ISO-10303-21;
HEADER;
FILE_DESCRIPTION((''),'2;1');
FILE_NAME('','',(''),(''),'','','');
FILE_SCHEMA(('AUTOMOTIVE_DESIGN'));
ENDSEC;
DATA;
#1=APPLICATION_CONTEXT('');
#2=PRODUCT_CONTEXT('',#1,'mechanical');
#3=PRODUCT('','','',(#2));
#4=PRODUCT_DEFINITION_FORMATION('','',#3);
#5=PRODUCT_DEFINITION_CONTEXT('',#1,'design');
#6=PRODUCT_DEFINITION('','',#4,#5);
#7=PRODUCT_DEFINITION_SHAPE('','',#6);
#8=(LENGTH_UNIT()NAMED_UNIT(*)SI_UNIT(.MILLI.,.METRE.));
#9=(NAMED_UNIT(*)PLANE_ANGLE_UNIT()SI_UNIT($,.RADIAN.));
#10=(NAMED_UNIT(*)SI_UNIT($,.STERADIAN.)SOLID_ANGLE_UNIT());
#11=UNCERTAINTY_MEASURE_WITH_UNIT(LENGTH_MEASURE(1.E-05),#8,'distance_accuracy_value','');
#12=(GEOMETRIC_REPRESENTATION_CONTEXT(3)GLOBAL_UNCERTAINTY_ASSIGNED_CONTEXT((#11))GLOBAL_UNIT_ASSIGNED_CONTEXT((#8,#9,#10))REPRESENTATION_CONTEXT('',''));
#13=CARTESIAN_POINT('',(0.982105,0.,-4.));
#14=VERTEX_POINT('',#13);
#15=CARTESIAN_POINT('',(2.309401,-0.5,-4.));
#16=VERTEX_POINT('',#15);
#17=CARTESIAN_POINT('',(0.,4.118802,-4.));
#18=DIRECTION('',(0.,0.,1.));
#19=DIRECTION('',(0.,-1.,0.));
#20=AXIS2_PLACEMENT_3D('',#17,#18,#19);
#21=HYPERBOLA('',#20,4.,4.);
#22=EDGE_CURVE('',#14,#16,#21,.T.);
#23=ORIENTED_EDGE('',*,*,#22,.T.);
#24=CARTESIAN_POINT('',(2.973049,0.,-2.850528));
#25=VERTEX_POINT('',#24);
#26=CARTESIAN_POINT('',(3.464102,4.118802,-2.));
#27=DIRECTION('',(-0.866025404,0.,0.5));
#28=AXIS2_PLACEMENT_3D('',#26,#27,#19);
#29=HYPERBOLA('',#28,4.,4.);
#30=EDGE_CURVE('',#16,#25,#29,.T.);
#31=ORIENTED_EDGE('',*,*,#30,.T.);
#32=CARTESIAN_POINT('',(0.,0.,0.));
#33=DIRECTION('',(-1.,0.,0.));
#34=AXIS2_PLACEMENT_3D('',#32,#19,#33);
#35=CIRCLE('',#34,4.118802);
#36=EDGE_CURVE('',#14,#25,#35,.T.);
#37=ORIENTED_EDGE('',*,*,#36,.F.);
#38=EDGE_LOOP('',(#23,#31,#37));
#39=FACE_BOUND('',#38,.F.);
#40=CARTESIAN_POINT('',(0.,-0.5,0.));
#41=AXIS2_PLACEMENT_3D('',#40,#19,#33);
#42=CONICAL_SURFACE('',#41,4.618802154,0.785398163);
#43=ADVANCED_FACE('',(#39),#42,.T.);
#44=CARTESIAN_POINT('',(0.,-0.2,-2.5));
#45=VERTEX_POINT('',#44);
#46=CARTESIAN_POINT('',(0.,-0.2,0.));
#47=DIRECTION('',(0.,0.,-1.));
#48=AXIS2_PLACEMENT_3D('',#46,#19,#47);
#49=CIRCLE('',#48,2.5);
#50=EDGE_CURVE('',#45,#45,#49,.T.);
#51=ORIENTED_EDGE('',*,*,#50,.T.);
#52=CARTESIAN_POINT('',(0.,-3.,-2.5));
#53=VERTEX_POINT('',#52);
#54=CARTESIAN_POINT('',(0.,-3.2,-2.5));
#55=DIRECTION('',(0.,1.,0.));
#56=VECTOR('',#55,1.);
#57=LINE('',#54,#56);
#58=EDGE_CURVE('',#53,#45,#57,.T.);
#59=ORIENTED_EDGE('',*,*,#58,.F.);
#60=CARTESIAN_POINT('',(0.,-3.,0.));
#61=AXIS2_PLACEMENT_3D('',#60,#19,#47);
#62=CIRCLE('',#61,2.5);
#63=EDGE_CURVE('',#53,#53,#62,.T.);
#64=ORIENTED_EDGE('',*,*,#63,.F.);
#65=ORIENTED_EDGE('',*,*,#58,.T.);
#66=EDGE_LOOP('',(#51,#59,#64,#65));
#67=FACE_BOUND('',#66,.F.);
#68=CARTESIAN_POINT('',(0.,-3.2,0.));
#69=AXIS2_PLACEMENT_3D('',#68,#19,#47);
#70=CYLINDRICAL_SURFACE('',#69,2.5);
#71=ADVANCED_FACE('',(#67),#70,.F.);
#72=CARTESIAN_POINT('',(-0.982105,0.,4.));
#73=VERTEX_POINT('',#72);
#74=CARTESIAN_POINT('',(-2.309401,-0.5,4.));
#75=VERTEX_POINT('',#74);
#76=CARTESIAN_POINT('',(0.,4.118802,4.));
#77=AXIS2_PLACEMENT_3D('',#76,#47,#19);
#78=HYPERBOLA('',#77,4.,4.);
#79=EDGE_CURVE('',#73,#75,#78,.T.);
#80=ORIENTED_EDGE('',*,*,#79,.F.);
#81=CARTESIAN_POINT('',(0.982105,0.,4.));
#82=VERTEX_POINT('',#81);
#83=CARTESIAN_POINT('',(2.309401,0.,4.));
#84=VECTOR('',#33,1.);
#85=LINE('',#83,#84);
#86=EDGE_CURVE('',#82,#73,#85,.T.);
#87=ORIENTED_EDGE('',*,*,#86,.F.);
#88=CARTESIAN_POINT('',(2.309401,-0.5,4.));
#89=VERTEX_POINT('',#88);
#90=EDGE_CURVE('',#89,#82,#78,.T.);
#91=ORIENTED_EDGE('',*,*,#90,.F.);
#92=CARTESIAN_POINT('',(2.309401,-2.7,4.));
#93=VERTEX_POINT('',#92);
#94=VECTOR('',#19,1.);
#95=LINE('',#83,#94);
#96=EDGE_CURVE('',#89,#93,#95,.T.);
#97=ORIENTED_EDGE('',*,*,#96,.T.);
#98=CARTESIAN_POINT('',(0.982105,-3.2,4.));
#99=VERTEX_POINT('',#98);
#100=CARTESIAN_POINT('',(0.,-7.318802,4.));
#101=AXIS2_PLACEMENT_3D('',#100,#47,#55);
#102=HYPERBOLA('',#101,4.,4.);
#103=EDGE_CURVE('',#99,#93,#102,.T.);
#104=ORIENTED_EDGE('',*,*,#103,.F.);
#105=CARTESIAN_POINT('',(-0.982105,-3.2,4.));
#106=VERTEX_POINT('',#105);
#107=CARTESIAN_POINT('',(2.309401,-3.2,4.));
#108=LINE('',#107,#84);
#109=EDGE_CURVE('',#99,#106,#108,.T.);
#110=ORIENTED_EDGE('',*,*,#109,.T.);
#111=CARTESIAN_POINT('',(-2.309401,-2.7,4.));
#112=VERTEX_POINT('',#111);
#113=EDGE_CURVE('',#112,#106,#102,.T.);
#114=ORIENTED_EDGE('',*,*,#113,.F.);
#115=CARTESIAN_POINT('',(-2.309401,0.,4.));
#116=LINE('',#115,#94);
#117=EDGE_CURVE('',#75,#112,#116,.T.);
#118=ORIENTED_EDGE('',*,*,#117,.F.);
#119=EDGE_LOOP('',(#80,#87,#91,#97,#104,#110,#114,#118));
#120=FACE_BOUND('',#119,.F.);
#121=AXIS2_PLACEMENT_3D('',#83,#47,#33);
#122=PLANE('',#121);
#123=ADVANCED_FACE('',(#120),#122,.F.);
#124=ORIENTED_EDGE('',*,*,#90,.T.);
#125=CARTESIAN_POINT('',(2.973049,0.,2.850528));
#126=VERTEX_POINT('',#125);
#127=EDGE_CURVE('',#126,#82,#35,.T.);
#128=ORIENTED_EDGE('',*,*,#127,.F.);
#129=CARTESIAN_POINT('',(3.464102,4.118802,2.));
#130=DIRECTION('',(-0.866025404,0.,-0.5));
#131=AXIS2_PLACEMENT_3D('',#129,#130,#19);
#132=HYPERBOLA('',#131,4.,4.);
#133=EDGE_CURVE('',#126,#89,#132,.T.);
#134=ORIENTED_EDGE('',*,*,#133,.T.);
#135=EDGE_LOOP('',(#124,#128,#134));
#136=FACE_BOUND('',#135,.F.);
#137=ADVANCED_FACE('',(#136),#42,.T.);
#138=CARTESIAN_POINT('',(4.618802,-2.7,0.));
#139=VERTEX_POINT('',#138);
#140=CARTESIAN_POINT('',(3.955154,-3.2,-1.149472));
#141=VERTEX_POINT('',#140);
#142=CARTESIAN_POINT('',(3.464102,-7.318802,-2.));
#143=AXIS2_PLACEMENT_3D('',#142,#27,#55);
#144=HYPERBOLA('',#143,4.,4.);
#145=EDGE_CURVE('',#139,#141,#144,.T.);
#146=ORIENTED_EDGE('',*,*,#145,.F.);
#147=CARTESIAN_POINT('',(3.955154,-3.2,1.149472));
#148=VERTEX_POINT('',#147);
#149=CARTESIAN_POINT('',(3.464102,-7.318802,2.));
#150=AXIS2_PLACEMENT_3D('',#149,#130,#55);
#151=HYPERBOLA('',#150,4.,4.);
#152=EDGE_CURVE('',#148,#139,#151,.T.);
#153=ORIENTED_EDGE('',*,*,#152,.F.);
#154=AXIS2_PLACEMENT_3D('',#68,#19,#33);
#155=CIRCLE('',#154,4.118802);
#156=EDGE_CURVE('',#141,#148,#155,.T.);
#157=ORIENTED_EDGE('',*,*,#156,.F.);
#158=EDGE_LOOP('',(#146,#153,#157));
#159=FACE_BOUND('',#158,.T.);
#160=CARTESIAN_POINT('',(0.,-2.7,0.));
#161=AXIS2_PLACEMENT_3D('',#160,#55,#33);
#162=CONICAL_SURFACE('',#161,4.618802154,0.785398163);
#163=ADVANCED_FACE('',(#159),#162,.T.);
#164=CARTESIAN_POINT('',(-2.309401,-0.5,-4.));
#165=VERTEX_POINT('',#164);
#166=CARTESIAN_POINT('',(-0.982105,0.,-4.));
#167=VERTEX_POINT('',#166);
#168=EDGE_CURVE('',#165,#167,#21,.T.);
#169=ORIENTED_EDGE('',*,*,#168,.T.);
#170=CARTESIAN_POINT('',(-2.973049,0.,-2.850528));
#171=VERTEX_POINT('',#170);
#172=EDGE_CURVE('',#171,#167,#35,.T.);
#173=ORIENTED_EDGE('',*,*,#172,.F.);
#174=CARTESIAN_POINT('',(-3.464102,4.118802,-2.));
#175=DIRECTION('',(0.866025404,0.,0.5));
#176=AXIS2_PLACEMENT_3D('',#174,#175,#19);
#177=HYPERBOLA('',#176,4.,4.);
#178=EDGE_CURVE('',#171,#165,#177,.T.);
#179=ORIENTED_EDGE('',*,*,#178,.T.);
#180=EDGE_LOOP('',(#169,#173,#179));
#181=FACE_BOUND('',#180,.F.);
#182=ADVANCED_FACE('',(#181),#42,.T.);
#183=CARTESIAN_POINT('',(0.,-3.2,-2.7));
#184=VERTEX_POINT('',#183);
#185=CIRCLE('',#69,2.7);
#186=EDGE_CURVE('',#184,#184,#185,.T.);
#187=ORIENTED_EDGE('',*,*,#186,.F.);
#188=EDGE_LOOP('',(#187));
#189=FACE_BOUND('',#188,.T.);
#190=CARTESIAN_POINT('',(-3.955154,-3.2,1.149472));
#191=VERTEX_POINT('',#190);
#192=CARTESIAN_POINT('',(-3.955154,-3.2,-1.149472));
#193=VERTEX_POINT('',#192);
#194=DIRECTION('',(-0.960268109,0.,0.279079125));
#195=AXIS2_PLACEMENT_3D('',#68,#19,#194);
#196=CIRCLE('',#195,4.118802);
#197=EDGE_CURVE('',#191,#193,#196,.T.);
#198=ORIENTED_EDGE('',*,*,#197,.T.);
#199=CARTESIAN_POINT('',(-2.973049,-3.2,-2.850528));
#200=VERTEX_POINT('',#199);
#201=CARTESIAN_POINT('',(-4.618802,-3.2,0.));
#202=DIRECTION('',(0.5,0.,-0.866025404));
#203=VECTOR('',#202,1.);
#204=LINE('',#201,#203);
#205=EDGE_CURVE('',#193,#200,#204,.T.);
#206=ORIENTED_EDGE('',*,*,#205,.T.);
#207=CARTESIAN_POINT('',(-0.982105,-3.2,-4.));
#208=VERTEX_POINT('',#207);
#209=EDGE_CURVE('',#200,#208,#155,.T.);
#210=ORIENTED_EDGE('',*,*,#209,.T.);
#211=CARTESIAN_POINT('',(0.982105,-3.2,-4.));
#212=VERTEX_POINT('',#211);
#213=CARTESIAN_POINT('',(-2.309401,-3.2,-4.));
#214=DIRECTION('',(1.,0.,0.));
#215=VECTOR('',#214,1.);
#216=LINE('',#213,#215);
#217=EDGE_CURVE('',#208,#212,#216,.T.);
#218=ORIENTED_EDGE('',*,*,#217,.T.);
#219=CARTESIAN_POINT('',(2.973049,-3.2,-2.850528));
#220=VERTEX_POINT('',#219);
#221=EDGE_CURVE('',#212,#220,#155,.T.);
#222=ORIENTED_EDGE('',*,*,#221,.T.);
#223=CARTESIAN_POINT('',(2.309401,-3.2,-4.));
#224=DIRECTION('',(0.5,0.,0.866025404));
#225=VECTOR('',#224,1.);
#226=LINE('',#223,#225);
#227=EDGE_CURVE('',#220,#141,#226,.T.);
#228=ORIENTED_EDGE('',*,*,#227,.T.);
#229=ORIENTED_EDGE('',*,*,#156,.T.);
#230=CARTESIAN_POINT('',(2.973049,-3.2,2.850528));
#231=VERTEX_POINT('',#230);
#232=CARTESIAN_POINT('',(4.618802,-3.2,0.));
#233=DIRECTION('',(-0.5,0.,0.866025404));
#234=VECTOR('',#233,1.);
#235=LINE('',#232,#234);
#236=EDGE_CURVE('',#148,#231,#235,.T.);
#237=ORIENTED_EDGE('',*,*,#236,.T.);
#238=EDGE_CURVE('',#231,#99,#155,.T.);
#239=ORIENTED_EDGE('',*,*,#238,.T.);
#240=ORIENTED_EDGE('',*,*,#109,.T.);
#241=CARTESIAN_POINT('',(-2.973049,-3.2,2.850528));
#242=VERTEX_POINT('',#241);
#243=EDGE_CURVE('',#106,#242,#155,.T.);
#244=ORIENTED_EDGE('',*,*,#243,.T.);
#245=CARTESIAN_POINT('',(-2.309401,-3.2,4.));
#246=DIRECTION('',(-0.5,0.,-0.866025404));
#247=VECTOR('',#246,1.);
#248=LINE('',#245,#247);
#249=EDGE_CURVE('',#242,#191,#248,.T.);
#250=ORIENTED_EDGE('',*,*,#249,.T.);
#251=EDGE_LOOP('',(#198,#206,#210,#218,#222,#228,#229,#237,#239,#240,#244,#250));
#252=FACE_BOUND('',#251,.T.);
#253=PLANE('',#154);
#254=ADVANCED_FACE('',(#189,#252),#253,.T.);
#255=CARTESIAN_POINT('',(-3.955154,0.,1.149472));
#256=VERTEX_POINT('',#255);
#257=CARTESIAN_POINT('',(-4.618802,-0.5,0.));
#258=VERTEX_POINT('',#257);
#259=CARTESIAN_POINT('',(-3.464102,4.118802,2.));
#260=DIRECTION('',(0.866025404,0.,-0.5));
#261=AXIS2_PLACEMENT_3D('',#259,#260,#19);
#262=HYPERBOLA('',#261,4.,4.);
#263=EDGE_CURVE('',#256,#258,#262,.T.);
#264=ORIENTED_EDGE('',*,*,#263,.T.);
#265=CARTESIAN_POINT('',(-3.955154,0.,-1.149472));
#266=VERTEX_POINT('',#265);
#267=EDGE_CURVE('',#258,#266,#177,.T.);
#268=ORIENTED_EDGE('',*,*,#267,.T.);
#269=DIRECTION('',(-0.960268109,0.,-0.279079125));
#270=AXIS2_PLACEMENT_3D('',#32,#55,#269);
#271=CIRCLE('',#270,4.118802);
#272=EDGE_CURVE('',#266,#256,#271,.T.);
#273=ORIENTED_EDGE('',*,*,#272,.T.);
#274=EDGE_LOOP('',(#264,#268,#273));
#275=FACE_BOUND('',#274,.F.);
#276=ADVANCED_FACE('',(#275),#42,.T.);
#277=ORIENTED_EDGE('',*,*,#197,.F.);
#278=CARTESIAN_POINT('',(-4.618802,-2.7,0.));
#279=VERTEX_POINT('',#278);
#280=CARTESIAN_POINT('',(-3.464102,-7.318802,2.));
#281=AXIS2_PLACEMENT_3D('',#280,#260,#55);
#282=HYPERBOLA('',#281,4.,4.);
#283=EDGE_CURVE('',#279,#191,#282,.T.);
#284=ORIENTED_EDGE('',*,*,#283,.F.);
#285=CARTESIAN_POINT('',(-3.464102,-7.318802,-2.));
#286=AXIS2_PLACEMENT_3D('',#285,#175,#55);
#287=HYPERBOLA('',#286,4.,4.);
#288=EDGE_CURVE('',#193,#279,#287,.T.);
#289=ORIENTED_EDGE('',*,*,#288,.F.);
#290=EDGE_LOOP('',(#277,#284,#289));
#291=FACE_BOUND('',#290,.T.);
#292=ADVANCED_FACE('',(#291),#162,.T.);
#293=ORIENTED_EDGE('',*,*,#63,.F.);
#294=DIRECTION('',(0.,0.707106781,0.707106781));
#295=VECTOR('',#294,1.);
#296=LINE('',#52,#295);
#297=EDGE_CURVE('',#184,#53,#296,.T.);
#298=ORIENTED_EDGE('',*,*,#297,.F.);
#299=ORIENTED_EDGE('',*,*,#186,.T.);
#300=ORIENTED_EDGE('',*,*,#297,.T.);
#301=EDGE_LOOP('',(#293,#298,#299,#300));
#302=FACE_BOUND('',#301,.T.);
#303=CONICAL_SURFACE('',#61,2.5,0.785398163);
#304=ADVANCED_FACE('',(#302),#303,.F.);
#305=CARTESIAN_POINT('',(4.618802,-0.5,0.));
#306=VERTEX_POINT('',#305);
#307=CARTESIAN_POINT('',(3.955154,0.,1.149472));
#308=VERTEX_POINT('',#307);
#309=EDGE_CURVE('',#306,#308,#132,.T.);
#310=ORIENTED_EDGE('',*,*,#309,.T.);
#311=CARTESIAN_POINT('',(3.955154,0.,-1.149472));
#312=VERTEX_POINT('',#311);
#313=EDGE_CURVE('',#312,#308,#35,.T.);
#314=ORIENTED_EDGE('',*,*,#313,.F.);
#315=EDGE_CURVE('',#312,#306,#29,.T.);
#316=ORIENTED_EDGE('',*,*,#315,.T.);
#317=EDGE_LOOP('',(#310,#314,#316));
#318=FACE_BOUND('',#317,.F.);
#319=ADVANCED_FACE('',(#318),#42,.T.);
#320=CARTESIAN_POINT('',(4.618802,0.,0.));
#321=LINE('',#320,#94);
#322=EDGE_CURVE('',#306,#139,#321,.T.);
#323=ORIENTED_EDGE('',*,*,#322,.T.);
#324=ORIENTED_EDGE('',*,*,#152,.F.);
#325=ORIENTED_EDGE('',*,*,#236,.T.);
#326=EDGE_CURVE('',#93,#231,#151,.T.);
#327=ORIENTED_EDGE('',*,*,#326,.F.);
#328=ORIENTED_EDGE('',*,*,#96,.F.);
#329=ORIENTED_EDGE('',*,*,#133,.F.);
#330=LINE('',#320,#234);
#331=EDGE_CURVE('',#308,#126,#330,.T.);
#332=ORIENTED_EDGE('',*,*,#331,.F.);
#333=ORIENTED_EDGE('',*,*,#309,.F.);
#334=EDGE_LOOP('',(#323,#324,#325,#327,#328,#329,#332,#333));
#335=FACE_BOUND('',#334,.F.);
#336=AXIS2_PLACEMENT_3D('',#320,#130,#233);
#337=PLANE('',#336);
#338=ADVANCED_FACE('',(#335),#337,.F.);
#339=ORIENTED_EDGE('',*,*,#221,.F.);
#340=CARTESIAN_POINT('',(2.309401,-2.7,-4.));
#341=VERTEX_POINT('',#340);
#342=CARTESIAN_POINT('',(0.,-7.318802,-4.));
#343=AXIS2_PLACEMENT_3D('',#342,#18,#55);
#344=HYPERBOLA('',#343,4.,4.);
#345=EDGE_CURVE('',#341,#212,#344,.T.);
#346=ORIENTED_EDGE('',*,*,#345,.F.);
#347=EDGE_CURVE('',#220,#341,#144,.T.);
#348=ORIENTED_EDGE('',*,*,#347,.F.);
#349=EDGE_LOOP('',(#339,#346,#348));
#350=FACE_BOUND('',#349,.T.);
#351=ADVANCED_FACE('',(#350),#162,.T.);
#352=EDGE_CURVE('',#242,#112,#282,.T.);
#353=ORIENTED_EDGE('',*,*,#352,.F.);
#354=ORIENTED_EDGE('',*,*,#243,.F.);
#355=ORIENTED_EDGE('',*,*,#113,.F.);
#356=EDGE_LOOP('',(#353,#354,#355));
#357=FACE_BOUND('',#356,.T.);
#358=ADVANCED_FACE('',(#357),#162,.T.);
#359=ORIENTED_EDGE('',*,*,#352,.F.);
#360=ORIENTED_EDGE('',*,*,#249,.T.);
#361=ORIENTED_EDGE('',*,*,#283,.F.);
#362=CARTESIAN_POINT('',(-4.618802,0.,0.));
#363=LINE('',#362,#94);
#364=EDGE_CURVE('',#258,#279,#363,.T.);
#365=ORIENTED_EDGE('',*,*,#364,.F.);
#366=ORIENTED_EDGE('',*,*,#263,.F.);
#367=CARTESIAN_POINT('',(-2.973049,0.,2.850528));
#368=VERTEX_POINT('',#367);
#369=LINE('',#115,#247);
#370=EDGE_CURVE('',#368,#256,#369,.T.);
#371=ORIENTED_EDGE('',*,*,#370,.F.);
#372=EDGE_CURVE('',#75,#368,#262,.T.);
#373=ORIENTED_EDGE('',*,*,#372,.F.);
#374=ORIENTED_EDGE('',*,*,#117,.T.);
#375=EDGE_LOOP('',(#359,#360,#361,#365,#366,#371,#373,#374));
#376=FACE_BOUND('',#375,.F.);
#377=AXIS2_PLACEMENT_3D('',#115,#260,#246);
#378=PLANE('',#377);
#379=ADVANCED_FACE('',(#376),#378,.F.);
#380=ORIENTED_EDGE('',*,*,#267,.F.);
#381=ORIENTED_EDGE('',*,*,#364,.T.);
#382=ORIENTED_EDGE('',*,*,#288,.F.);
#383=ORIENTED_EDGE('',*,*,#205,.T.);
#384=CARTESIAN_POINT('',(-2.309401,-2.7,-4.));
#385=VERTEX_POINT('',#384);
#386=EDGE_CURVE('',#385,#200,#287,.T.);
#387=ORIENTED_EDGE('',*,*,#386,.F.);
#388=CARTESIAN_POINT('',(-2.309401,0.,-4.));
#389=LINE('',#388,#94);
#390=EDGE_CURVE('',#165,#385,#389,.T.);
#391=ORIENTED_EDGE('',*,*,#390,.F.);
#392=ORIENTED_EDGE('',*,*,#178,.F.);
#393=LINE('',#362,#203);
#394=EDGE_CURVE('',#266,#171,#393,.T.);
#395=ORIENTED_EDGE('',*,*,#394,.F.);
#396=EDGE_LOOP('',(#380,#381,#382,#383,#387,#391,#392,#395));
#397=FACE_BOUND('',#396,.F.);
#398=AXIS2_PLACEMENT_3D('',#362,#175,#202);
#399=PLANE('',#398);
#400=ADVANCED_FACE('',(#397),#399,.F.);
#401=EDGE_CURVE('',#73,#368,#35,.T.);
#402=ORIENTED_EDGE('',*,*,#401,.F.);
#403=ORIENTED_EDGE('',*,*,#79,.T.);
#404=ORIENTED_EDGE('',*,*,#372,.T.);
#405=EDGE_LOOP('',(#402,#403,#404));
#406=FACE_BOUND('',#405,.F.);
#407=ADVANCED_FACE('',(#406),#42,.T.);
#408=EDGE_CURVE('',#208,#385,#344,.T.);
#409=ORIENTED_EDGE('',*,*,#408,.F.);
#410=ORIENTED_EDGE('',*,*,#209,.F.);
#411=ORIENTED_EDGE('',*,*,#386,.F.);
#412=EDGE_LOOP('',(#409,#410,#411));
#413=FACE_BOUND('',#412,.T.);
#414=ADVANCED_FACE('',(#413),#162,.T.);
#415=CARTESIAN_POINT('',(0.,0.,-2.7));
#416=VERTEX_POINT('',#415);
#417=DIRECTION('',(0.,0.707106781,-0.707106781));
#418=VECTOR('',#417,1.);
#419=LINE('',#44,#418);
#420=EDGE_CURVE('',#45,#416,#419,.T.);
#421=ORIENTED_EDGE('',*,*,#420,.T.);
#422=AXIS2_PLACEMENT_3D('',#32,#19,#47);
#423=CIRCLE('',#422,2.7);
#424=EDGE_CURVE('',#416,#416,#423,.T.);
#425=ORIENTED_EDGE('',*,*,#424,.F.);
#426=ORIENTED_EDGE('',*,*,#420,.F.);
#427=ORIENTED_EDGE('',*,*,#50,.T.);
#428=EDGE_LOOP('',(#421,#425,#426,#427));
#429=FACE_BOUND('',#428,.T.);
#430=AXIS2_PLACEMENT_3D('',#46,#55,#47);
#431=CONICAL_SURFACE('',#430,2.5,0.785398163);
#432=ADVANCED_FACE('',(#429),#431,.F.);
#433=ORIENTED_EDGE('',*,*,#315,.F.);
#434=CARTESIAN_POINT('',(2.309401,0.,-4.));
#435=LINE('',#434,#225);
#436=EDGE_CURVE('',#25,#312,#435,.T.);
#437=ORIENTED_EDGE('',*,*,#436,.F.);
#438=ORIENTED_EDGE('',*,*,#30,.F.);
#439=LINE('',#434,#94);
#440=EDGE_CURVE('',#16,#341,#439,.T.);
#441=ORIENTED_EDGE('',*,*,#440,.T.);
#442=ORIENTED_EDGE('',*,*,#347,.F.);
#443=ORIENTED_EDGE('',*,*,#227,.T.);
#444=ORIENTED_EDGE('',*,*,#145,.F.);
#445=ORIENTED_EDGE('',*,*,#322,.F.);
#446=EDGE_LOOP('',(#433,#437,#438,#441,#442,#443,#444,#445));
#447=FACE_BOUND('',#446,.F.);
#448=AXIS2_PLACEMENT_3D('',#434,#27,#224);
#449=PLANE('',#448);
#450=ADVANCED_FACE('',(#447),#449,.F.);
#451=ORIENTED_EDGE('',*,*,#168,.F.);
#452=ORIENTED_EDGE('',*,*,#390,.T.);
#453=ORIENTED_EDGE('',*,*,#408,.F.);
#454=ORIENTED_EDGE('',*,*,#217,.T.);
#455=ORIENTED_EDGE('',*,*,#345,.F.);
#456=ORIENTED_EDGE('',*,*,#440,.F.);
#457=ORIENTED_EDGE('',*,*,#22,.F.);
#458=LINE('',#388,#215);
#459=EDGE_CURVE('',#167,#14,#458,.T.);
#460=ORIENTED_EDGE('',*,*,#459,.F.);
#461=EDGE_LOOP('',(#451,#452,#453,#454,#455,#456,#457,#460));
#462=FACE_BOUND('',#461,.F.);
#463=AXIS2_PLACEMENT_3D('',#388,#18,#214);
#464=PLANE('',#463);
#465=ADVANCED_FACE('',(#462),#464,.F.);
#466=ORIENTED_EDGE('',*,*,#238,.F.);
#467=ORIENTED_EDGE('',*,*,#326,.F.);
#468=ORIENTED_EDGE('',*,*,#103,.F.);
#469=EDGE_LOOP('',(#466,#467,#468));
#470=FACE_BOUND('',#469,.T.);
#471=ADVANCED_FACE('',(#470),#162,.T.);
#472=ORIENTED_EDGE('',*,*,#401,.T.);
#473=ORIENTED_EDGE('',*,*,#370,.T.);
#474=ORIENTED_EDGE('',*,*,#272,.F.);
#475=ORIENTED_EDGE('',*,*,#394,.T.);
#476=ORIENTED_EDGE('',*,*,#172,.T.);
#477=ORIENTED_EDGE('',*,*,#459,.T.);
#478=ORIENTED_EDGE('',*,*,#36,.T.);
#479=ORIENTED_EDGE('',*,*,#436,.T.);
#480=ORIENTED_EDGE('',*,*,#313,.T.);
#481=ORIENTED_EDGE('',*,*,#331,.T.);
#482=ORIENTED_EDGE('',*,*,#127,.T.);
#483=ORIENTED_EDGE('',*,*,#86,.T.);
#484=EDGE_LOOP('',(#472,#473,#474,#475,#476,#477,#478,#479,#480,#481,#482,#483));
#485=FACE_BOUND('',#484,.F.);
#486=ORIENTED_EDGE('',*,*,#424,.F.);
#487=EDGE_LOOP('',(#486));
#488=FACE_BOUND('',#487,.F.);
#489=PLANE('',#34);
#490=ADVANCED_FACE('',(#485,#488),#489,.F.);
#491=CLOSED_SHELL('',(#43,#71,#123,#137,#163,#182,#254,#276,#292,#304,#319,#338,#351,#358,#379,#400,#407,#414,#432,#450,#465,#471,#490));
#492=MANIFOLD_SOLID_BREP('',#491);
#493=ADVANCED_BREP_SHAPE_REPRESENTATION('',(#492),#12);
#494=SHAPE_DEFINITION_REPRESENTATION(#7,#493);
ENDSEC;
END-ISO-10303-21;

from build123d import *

# Parameters (mm, degrees)
EXTRUDE_1_DEPTH     = 3.2
SKETCH_5_R          = 2.5
CUT_EXTRUDE_1_DEPTH = 7.897342483
CHAMFER_1_SIZE      = 0.2


with BuildPart() as part:
    # Эскиз1 → Вытянуть1 (new body)
    with BuildSketch(Plane(origin=(0, 0, 0), x_dir=(1, 0, 0), z_dir=(0, 1, 0))):
        Polygon((-2.309401077, 4), (2.309401077, 4), (4.618802154, 0), (2.309401077, -4), (-2.309401077, -4), (-4.618802154, 0), align=None)
    extrude(amount=-EXTRUDE_1_DEPTH)

    # Эскиз5 → Вырез-Вытянуть1 (cut, through all)
    with BuildSketch(Plane.XZ.offset(3.2)):
        with Locations(Location((0, 0, 0), (0, 0, 270))):
            Circle(SKETCH_5_R)
    extrude(amount=-CUT_EXTRUDE_1_DEPTH, mode=Mode.SUBTRACT)

    # Эскиз4 → Вырез-Повернуть1 (revolve, cut)
    with BuildSketch(Plane.XY):
        Polygon((-4.618802154, -0.5), (-4.118802154, 0), (-4.618802154, 0), align=None)
        Polygon((-4.618802154, -2.7), (-4.118802154, -3.2), (-4.618802154, -3.2), align=None)
    revolve(axis=Axis((0, 0, 0), (0, -1, 0)), mode=Mode.SUBTRACT)

    # Фаска1
    chamfer_1_edges = [part.edges().sort_by_distance(p)[0] for p in [
        (0, 0, 2.5),
        (0, -3.2, 2.5),
    ]]
    chamfer(chamfer_1_edges, length=CHAMFER_1_SIZE)


solid = part.part
